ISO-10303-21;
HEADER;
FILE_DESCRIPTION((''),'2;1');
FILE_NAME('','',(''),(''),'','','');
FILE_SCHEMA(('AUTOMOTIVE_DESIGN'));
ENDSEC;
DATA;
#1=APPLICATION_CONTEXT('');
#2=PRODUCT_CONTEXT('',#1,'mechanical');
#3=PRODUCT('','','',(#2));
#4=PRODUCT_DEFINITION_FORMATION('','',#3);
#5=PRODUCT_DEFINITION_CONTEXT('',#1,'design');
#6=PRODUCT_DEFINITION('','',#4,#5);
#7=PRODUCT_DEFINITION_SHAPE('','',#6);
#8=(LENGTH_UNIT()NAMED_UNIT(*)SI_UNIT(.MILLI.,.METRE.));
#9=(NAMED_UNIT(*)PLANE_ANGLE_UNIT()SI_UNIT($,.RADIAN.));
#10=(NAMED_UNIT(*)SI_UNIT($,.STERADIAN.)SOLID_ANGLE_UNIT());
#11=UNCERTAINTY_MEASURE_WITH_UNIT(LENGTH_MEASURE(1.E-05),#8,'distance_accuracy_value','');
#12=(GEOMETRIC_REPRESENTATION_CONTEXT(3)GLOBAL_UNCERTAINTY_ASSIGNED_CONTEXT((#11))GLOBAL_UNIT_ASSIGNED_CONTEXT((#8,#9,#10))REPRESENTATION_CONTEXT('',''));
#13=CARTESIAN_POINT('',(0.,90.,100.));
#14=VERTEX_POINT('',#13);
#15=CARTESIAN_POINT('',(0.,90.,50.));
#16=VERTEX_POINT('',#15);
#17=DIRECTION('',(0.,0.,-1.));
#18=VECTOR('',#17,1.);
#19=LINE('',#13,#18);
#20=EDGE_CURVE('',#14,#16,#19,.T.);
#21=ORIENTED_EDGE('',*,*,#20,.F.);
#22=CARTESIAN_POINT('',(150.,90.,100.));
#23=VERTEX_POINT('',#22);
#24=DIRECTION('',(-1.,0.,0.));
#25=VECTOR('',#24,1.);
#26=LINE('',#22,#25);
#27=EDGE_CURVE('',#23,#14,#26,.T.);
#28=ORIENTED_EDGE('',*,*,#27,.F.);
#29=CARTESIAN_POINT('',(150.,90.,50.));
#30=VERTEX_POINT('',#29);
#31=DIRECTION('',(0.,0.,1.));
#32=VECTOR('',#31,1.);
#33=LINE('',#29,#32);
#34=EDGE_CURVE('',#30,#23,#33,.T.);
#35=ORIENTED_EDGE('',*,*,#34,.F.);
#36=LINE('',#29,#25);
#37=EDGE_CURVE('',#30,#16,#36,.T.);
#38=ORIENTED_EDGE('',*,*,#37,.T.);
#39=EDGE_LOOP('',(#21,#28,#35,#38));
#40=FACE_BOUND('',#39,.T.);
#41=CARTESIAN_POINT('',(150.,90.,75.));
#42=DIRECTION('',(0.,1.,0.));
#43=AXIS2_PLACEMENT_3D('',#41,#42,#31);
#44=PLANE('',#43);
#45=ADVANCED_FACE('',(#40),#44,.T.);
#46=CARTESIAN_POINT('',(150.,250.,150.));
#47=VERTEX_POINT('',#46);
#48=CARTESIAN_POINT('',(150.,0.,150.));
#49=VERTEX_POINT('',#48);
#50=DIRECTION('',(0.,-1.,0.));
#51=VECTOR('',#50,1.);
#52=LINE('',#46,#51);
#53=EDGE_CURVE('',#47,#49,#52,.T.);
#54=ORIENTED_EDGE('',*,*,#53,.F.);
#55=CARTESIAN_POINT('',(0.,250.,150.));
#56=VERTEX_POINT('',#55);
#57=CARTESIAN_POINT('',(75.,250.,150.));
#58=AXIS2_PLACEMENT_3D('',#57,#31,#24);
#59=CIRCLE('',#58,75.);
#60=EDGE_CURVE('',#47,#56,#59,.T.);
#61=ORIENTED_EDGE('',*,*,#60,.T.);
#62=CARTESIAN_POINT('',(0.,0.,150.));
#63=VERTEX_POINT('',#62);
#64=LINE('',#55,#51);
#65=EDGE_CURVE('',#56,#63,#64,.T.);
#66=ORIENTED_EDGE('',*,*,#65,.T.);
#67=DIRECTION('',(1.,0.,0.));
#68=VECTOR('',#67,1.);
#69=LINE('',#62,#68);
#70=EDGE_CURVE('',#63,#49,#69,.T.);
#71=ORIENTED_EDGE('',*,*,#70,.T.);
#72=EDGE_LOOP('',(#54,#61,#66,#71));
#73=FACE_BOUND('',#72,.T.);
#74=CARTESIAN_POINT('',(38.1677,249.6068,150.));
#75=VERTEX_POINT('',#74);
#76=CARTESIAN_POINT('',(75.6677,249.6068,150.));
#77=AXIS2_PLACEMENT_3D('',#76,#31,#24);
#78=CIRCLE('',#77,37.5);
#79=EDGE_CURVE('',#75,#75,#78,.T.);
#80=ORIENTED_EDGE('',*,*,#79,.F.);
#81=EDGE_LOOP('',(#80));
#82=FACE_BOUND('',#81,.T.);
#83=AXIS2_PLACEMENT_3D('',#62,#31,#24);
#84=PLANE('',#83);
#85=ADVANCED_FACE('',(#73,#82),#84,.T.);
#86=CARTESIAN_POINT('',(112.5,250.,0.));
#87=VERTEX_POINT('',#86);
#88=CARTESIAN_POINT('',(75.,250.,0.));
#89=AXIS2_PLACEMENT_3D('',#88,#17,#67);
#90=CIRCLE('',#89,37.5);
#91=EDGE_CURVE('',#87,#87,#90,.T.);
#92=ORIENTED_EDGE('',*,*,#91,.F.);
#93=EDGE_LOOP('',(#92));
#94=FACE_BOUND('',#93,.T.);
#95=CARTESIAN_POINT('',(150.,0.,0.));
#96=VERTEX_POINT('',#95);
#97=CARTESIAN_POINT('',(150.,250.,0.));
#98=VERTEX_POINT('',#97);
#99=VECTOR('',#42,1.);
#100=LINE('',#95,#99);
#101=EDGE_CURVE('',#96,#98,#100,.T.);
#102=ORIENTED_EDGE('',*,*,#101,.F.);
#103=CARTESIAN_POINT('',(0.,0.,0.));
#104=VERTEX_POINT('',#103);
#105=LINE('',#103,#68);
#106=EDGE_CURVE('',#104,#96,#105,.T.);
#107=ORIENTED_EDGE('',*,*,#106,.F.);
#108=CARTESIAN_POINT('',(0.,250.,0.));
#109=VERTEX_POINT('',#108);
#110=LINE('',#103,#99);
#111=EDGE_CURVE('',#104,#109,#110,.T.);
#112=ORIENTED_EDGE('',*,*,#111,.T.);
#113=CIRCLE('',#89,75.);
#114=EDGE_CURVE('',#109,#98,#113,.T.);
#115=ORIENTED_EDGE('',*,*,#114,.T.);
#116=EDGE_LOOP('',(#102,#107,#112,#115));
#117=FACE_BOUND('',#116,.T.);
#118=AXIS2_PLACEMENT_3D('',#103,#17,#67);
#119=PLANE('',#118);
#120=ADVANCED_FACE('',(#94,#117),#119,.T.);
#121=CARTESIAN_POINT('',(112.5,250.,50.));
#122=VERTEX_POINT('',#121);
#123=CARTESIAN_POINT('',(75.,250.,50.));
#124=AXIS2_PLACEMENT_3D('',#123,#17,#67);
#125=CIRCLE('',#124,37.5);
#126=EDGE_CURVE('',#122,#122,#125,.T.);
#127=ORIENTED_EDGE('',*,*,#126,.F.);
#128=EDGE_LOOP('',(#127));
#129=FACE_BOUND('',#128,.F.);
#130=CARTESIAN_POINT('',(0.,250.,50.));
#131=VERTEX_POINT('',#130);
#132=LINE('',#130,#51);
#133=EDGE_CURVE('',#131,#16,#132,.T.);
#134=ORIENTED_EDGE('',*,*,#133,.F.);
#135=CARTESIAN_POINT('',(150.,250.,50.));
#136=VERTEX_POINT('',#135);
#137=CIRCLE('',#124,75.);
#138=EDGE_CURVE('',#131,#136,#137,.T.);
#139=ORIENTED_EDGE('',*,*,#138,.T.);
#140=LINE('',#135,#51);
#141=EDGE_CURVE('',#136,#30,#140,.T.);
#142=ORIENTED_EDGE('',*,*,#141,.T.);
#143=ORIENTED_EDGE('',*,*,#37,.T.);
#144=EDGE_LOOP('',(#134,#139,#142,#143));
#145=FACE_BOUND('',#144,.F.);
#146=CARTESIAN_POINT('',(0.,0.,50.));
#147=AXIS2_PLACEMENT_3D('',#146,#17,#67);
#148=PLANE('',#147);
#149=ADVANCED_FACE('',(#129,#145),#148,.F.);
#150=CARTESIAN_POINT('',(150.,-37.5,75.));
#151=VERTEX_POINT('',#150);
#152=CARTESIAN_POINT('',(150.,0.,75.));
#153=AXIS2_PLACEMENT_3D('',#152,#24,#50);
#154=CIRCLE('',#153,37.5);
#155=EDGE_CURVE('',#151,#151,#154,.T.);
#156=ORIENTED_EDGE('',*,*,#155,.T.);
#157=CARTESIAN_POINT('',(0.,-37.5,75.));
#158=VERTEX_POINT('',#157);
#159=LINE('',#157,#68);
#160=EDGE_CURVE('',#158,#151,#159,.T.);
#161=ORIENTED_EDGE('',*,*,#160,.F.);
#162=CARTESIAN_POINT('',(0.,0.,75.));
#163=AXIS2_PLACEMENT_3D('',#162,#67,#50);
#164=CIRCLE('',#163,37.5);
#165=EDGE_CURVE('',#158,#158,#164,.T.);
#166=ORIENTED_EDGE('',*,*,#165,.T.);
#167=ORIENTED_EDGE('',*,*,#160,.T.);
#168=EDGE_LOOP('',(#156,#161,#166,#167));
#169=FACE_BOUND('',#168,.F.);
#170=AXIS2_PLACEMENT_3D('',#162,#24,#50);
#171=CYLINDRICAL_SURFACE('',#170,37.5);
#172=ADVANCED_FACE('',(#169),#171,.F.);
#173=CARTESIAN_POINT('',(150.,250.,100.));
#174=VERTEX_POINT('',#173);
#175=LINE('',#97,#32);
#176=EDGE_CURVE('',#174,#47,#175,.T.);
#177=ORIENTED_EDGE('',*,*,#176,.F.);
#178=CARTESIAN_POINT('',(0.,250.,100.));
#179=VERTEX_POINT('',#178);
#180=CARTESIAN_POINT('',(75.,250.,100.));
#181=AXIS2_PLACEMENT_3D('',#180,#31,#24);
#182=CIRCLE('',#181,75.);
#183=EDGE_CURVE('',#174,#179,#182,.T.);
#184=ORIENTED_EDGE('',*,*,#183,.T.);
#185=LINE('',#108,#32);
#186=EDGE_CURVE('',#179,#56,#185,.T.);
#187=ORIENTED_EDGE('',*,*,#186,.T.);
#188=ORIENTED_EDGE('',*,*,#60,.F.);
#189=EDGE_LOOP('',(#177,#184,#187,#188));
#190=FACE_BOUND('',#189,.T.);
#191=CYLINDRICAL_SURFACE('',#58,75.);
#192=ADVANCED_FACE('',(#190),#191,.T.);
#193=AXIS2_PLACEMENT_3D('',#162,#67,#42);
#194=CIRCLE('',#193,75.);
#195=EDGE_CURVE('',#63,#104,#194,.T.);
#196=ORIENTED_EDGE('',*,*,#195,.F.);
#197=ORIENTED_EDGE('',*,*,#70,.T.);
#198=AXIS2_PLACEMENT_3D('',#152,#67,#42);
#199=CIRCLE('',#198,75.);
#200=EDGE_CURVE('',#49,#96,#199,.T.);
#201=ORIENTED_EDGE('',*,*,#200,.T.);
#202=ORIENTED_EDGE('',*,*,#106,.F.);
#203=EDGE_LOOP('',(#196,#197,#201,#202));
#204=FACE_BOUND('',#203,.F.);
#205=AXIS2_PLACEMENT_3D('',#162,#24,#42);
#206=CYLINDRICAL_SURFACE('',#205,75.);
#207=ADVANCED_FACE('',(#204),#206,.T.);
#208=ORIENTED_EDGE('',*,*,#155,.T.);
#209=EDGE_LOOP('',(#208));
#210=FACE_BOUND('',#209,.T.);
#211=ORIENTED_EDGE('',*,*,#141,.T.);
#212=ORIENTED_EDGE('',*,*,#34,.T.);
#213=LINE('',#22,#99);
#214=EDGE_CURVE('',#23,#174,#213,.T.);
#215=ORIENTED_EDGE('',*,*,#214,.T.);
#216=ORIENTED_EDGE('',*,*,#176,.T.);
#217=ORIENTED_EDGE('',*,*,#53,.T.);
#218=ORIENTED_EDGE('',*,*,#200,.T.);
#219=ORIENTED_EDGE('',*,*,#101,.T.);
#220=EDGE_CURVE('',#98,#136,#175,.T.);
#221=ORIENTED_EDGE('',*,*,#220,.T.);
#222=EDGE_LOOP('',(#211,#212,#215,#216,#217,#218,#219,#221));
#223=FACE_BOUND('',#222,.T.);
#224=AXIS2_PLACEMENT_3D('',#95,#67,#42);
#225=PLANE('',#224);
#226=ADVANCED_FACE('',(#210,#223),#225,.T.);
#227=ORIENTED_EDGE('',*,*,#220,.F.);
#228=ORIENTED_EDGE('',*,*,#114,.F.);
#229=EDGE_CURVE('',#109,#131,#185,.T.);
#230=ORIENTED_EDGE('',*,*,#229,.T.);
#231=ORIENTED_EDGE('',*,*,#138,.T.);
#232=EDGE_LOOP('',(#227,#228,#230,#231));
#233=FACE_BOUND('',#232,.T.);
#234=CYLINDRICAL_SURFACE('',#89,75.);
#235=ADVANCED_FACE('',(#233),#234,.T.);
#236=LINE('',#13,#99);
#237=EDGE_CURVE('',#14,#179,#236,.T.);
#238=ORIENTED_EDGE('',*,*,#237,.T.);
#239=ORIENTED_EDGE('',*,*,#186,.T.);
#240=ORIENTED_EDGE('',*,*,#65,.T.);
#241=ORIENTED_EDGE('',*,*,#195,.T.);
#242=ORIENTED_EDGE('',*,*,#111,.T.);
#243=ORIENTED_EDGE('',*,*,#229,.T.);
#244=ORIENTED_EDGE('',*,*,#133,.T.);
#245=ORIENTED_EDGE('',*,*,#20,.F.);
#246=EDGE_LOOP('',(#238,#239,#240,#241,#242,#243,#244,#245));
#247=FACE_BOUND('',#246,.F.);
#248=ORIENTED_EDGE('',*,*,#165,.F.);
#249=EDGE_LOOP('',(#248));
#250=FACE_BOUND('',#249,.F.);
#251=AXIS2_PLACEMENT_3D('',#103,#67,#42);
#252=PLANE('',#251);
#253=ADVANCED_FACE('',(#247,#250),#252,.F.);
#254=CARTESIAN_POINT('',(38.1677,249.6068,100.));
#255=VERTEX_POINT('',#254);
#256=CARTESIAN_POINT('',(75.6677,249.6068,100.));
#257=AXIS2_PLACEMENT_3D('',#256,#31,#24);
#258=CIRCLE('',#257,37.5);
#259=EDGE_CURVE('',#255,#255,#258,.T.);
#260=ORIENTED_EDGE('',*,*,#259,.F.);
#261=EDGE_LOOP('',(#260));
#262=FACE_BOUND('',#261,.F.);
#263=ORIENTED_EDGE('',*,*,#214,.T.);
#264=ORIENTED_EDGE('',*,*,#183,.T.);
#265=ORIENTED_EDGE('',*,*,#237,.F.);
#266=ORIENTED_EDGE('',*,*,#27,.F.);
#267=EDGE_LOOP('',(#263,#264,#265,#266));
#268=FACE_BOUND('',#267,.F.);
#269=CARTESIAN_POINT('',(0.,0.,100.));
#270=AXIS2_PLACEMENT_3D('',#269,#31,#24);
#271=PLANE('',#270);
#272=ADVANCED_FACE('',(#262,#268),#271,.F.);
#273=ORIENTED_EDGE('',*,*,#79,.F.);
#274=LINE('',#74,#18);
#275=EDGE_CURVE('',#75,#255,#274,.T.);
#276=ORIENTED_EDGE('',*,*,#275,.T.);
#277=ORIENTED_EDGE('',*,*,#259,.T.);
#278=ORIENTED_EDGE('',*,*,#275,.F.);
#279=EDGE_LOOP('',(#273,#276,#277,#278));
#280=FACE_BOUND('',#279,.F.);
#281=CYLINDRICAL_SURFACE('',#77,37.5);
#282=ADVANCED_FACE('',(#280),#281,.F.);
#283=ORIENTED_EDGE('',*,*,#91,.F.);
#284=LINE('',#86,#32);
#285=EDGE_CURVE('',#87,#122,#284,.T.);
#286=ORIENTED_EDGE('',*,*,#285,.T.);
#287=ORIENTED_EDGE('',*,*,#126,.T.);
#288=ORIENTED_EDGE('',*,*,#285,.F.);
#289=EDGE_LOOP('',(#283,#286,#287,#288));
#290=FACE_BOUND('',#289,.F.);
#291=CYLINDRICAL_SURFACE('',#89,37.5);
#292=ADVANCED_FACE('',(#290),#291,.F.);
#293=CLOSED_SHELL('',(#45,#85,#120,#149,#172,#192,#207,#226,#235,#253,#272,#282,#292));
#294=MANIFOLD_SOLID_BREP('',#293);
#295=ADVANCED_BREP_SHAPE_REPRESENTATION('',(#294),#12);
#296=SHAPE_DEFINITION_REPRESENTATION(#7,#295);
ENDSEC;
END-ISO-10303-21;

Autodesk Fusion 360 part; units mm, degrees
sketch "Sketch1" plane through (0, 0, 0) normal (1, 0, 0) x (0, 1, 0)
  line L0 (0, 0) -> (250, 0)
  line L1 (250, 0) -> (250, 150)
  line L2 (250, 150) -> (0, 150)
  line L3 (0, 150) -> (0, 0)
  circle A0 centre (0, 75) radius 75
  dimension "d1" = 250
  dimension "d2" = 150
sketch "Sketch2" plane through (0, 0, 0) normal (1, 0, 0) x (0, 1, 0)
extrude "Extrude1" add sketch "Sketch1" along normal blind 150
sketch "Sketch3" plane through (0, 0, 0) normal (-1, 0, 0) x (0, -1, 0)
  line L0 (0, 150) -> (-250, 150)
  line L1 (-250, 150) -> (-250, 0)
  line L2 (-250, 0) -> (0, 0)
  arc A0 (0, 0) -> (0, 150) centre (0, 75) ccw
  line L3 (0, 150) -> (0, 0)
  circle A1 centre (0, 75) radius 37.5
  dimension "d5" = 75
extrude "Extrude2" cut sketch "Sketch3" against normal blind 150 contours L3 A1 | L3 A1
sketch "Sketch4" plane through (150, 0, 0) normal (1, 0, 0) x (0, 1, 0)
  circle A0 centre (0, 75) radius 37.5
  line L0 (250, 150) -> (0, 150)
  arc A1 (0, 150) -> (0, 0) centre (0, 75) ccw
  line L1 (0, 0) -> (250, 0)
  line L2 (250, 0) -> (250, 150)
  line L3 (250, 150) -> (250, 0) construction
  line L4 (250, 75) -> (90, 75) construction
  line L5 (90, 75) -> (90, 100)
  line L6 (90, 75) -> (90, 50)
  line L7 (90, 100) -> (250, 100)
  line L8 (250, 50) -> (90, 50)
  dimension "d8" = 25
  dimension "d9" = 25
extrude "Extrude3" cut sketch "Sketch4" against normal blind 150 contours L2 L5 L6 L7 L8
sketch "Sketch5" plane through (0, 0, 0) normal (0, 0, -1) x (1, 0, 0)
  line L0 (0, 0) -> (0, -250)
  line L1 (0, -250) -> (150, -250)
  line L2 (150, -250) -> (150, 0)
  line L3 (150, 0) -> (0, 0)
  line L4 (0, -250) -> (150, -250) construction
  circle A0 centre (75, -250) radius 75
  dimension "d12" = 150
extrude "Extrude4" add sketch "Sketch5" against normal blind 50 contours L1 A0 picked at (76.8683, -274.9301)
sketch "Sketch6" plane through (0, 0, 0) normal (1, 0, 0) x (0, 1, 0)
  line L0 (220, 110) -> (210, 110)
  line L1 (250, 150) -> (250, 20) construction
sketch "Sketch7" plane through (0, 0, 150) normal (0, 0, 1) x (-1, 0, 0)
  line L0 (0, -250) -> (0, 0)
  line L1 (0, 0) -> (-150, 0)
  line L2 (-150, 0) -> (-150, -250)
  line L3 (-150, -250) -> (0, -250)
  circle A0 centre (-75, -250) radius 75
  dimension "d15" = 150
extrude "Extrude5" add sketch "Sketch7" against normal blind 50 contours L3 A0 picked at (-76.8683, -274.9301)
sketch "Sketch8" plane through (0, 0, 150) normal (0, 0, 1) x (-1, 0, 0)
  line L0 (0, -250) -> (0, 0)
  line L1 (0, 0) -> (-150, 0)
  line L2 (-150, 0) -> (-150, -250)
  arc A0 (-150, -250) -> (0, -250) centre (-75, -250) ccw
  circle A1 centre (-75.6677, -249.6068) radius 37.5
  dimension "d18" = 75
extrude "Extrude6" cut sketch "Sketch8" against normal blind 50 contours A1
sketch "Sketch9" plane through (0, 0, 0) normal (0, 0, -1) x (1, 0, 0)
  line L0 (0, 0) -> (0, -250)
  arc A0 (0, -250) -> (150, -250) centre (75, -250) ccw
  line L1 (150, -250) -> (150, 0)
  line L2 (150, 0) -> (0, 0)
  circle A1 centre (75, -250) radius 37.5
  line L3 (0, -250) -> (150, -250) construction
  dimension "d21" = 75
extrude "Extrude7" cut sketch "Sketch9" against normal blind 50 contours A1
